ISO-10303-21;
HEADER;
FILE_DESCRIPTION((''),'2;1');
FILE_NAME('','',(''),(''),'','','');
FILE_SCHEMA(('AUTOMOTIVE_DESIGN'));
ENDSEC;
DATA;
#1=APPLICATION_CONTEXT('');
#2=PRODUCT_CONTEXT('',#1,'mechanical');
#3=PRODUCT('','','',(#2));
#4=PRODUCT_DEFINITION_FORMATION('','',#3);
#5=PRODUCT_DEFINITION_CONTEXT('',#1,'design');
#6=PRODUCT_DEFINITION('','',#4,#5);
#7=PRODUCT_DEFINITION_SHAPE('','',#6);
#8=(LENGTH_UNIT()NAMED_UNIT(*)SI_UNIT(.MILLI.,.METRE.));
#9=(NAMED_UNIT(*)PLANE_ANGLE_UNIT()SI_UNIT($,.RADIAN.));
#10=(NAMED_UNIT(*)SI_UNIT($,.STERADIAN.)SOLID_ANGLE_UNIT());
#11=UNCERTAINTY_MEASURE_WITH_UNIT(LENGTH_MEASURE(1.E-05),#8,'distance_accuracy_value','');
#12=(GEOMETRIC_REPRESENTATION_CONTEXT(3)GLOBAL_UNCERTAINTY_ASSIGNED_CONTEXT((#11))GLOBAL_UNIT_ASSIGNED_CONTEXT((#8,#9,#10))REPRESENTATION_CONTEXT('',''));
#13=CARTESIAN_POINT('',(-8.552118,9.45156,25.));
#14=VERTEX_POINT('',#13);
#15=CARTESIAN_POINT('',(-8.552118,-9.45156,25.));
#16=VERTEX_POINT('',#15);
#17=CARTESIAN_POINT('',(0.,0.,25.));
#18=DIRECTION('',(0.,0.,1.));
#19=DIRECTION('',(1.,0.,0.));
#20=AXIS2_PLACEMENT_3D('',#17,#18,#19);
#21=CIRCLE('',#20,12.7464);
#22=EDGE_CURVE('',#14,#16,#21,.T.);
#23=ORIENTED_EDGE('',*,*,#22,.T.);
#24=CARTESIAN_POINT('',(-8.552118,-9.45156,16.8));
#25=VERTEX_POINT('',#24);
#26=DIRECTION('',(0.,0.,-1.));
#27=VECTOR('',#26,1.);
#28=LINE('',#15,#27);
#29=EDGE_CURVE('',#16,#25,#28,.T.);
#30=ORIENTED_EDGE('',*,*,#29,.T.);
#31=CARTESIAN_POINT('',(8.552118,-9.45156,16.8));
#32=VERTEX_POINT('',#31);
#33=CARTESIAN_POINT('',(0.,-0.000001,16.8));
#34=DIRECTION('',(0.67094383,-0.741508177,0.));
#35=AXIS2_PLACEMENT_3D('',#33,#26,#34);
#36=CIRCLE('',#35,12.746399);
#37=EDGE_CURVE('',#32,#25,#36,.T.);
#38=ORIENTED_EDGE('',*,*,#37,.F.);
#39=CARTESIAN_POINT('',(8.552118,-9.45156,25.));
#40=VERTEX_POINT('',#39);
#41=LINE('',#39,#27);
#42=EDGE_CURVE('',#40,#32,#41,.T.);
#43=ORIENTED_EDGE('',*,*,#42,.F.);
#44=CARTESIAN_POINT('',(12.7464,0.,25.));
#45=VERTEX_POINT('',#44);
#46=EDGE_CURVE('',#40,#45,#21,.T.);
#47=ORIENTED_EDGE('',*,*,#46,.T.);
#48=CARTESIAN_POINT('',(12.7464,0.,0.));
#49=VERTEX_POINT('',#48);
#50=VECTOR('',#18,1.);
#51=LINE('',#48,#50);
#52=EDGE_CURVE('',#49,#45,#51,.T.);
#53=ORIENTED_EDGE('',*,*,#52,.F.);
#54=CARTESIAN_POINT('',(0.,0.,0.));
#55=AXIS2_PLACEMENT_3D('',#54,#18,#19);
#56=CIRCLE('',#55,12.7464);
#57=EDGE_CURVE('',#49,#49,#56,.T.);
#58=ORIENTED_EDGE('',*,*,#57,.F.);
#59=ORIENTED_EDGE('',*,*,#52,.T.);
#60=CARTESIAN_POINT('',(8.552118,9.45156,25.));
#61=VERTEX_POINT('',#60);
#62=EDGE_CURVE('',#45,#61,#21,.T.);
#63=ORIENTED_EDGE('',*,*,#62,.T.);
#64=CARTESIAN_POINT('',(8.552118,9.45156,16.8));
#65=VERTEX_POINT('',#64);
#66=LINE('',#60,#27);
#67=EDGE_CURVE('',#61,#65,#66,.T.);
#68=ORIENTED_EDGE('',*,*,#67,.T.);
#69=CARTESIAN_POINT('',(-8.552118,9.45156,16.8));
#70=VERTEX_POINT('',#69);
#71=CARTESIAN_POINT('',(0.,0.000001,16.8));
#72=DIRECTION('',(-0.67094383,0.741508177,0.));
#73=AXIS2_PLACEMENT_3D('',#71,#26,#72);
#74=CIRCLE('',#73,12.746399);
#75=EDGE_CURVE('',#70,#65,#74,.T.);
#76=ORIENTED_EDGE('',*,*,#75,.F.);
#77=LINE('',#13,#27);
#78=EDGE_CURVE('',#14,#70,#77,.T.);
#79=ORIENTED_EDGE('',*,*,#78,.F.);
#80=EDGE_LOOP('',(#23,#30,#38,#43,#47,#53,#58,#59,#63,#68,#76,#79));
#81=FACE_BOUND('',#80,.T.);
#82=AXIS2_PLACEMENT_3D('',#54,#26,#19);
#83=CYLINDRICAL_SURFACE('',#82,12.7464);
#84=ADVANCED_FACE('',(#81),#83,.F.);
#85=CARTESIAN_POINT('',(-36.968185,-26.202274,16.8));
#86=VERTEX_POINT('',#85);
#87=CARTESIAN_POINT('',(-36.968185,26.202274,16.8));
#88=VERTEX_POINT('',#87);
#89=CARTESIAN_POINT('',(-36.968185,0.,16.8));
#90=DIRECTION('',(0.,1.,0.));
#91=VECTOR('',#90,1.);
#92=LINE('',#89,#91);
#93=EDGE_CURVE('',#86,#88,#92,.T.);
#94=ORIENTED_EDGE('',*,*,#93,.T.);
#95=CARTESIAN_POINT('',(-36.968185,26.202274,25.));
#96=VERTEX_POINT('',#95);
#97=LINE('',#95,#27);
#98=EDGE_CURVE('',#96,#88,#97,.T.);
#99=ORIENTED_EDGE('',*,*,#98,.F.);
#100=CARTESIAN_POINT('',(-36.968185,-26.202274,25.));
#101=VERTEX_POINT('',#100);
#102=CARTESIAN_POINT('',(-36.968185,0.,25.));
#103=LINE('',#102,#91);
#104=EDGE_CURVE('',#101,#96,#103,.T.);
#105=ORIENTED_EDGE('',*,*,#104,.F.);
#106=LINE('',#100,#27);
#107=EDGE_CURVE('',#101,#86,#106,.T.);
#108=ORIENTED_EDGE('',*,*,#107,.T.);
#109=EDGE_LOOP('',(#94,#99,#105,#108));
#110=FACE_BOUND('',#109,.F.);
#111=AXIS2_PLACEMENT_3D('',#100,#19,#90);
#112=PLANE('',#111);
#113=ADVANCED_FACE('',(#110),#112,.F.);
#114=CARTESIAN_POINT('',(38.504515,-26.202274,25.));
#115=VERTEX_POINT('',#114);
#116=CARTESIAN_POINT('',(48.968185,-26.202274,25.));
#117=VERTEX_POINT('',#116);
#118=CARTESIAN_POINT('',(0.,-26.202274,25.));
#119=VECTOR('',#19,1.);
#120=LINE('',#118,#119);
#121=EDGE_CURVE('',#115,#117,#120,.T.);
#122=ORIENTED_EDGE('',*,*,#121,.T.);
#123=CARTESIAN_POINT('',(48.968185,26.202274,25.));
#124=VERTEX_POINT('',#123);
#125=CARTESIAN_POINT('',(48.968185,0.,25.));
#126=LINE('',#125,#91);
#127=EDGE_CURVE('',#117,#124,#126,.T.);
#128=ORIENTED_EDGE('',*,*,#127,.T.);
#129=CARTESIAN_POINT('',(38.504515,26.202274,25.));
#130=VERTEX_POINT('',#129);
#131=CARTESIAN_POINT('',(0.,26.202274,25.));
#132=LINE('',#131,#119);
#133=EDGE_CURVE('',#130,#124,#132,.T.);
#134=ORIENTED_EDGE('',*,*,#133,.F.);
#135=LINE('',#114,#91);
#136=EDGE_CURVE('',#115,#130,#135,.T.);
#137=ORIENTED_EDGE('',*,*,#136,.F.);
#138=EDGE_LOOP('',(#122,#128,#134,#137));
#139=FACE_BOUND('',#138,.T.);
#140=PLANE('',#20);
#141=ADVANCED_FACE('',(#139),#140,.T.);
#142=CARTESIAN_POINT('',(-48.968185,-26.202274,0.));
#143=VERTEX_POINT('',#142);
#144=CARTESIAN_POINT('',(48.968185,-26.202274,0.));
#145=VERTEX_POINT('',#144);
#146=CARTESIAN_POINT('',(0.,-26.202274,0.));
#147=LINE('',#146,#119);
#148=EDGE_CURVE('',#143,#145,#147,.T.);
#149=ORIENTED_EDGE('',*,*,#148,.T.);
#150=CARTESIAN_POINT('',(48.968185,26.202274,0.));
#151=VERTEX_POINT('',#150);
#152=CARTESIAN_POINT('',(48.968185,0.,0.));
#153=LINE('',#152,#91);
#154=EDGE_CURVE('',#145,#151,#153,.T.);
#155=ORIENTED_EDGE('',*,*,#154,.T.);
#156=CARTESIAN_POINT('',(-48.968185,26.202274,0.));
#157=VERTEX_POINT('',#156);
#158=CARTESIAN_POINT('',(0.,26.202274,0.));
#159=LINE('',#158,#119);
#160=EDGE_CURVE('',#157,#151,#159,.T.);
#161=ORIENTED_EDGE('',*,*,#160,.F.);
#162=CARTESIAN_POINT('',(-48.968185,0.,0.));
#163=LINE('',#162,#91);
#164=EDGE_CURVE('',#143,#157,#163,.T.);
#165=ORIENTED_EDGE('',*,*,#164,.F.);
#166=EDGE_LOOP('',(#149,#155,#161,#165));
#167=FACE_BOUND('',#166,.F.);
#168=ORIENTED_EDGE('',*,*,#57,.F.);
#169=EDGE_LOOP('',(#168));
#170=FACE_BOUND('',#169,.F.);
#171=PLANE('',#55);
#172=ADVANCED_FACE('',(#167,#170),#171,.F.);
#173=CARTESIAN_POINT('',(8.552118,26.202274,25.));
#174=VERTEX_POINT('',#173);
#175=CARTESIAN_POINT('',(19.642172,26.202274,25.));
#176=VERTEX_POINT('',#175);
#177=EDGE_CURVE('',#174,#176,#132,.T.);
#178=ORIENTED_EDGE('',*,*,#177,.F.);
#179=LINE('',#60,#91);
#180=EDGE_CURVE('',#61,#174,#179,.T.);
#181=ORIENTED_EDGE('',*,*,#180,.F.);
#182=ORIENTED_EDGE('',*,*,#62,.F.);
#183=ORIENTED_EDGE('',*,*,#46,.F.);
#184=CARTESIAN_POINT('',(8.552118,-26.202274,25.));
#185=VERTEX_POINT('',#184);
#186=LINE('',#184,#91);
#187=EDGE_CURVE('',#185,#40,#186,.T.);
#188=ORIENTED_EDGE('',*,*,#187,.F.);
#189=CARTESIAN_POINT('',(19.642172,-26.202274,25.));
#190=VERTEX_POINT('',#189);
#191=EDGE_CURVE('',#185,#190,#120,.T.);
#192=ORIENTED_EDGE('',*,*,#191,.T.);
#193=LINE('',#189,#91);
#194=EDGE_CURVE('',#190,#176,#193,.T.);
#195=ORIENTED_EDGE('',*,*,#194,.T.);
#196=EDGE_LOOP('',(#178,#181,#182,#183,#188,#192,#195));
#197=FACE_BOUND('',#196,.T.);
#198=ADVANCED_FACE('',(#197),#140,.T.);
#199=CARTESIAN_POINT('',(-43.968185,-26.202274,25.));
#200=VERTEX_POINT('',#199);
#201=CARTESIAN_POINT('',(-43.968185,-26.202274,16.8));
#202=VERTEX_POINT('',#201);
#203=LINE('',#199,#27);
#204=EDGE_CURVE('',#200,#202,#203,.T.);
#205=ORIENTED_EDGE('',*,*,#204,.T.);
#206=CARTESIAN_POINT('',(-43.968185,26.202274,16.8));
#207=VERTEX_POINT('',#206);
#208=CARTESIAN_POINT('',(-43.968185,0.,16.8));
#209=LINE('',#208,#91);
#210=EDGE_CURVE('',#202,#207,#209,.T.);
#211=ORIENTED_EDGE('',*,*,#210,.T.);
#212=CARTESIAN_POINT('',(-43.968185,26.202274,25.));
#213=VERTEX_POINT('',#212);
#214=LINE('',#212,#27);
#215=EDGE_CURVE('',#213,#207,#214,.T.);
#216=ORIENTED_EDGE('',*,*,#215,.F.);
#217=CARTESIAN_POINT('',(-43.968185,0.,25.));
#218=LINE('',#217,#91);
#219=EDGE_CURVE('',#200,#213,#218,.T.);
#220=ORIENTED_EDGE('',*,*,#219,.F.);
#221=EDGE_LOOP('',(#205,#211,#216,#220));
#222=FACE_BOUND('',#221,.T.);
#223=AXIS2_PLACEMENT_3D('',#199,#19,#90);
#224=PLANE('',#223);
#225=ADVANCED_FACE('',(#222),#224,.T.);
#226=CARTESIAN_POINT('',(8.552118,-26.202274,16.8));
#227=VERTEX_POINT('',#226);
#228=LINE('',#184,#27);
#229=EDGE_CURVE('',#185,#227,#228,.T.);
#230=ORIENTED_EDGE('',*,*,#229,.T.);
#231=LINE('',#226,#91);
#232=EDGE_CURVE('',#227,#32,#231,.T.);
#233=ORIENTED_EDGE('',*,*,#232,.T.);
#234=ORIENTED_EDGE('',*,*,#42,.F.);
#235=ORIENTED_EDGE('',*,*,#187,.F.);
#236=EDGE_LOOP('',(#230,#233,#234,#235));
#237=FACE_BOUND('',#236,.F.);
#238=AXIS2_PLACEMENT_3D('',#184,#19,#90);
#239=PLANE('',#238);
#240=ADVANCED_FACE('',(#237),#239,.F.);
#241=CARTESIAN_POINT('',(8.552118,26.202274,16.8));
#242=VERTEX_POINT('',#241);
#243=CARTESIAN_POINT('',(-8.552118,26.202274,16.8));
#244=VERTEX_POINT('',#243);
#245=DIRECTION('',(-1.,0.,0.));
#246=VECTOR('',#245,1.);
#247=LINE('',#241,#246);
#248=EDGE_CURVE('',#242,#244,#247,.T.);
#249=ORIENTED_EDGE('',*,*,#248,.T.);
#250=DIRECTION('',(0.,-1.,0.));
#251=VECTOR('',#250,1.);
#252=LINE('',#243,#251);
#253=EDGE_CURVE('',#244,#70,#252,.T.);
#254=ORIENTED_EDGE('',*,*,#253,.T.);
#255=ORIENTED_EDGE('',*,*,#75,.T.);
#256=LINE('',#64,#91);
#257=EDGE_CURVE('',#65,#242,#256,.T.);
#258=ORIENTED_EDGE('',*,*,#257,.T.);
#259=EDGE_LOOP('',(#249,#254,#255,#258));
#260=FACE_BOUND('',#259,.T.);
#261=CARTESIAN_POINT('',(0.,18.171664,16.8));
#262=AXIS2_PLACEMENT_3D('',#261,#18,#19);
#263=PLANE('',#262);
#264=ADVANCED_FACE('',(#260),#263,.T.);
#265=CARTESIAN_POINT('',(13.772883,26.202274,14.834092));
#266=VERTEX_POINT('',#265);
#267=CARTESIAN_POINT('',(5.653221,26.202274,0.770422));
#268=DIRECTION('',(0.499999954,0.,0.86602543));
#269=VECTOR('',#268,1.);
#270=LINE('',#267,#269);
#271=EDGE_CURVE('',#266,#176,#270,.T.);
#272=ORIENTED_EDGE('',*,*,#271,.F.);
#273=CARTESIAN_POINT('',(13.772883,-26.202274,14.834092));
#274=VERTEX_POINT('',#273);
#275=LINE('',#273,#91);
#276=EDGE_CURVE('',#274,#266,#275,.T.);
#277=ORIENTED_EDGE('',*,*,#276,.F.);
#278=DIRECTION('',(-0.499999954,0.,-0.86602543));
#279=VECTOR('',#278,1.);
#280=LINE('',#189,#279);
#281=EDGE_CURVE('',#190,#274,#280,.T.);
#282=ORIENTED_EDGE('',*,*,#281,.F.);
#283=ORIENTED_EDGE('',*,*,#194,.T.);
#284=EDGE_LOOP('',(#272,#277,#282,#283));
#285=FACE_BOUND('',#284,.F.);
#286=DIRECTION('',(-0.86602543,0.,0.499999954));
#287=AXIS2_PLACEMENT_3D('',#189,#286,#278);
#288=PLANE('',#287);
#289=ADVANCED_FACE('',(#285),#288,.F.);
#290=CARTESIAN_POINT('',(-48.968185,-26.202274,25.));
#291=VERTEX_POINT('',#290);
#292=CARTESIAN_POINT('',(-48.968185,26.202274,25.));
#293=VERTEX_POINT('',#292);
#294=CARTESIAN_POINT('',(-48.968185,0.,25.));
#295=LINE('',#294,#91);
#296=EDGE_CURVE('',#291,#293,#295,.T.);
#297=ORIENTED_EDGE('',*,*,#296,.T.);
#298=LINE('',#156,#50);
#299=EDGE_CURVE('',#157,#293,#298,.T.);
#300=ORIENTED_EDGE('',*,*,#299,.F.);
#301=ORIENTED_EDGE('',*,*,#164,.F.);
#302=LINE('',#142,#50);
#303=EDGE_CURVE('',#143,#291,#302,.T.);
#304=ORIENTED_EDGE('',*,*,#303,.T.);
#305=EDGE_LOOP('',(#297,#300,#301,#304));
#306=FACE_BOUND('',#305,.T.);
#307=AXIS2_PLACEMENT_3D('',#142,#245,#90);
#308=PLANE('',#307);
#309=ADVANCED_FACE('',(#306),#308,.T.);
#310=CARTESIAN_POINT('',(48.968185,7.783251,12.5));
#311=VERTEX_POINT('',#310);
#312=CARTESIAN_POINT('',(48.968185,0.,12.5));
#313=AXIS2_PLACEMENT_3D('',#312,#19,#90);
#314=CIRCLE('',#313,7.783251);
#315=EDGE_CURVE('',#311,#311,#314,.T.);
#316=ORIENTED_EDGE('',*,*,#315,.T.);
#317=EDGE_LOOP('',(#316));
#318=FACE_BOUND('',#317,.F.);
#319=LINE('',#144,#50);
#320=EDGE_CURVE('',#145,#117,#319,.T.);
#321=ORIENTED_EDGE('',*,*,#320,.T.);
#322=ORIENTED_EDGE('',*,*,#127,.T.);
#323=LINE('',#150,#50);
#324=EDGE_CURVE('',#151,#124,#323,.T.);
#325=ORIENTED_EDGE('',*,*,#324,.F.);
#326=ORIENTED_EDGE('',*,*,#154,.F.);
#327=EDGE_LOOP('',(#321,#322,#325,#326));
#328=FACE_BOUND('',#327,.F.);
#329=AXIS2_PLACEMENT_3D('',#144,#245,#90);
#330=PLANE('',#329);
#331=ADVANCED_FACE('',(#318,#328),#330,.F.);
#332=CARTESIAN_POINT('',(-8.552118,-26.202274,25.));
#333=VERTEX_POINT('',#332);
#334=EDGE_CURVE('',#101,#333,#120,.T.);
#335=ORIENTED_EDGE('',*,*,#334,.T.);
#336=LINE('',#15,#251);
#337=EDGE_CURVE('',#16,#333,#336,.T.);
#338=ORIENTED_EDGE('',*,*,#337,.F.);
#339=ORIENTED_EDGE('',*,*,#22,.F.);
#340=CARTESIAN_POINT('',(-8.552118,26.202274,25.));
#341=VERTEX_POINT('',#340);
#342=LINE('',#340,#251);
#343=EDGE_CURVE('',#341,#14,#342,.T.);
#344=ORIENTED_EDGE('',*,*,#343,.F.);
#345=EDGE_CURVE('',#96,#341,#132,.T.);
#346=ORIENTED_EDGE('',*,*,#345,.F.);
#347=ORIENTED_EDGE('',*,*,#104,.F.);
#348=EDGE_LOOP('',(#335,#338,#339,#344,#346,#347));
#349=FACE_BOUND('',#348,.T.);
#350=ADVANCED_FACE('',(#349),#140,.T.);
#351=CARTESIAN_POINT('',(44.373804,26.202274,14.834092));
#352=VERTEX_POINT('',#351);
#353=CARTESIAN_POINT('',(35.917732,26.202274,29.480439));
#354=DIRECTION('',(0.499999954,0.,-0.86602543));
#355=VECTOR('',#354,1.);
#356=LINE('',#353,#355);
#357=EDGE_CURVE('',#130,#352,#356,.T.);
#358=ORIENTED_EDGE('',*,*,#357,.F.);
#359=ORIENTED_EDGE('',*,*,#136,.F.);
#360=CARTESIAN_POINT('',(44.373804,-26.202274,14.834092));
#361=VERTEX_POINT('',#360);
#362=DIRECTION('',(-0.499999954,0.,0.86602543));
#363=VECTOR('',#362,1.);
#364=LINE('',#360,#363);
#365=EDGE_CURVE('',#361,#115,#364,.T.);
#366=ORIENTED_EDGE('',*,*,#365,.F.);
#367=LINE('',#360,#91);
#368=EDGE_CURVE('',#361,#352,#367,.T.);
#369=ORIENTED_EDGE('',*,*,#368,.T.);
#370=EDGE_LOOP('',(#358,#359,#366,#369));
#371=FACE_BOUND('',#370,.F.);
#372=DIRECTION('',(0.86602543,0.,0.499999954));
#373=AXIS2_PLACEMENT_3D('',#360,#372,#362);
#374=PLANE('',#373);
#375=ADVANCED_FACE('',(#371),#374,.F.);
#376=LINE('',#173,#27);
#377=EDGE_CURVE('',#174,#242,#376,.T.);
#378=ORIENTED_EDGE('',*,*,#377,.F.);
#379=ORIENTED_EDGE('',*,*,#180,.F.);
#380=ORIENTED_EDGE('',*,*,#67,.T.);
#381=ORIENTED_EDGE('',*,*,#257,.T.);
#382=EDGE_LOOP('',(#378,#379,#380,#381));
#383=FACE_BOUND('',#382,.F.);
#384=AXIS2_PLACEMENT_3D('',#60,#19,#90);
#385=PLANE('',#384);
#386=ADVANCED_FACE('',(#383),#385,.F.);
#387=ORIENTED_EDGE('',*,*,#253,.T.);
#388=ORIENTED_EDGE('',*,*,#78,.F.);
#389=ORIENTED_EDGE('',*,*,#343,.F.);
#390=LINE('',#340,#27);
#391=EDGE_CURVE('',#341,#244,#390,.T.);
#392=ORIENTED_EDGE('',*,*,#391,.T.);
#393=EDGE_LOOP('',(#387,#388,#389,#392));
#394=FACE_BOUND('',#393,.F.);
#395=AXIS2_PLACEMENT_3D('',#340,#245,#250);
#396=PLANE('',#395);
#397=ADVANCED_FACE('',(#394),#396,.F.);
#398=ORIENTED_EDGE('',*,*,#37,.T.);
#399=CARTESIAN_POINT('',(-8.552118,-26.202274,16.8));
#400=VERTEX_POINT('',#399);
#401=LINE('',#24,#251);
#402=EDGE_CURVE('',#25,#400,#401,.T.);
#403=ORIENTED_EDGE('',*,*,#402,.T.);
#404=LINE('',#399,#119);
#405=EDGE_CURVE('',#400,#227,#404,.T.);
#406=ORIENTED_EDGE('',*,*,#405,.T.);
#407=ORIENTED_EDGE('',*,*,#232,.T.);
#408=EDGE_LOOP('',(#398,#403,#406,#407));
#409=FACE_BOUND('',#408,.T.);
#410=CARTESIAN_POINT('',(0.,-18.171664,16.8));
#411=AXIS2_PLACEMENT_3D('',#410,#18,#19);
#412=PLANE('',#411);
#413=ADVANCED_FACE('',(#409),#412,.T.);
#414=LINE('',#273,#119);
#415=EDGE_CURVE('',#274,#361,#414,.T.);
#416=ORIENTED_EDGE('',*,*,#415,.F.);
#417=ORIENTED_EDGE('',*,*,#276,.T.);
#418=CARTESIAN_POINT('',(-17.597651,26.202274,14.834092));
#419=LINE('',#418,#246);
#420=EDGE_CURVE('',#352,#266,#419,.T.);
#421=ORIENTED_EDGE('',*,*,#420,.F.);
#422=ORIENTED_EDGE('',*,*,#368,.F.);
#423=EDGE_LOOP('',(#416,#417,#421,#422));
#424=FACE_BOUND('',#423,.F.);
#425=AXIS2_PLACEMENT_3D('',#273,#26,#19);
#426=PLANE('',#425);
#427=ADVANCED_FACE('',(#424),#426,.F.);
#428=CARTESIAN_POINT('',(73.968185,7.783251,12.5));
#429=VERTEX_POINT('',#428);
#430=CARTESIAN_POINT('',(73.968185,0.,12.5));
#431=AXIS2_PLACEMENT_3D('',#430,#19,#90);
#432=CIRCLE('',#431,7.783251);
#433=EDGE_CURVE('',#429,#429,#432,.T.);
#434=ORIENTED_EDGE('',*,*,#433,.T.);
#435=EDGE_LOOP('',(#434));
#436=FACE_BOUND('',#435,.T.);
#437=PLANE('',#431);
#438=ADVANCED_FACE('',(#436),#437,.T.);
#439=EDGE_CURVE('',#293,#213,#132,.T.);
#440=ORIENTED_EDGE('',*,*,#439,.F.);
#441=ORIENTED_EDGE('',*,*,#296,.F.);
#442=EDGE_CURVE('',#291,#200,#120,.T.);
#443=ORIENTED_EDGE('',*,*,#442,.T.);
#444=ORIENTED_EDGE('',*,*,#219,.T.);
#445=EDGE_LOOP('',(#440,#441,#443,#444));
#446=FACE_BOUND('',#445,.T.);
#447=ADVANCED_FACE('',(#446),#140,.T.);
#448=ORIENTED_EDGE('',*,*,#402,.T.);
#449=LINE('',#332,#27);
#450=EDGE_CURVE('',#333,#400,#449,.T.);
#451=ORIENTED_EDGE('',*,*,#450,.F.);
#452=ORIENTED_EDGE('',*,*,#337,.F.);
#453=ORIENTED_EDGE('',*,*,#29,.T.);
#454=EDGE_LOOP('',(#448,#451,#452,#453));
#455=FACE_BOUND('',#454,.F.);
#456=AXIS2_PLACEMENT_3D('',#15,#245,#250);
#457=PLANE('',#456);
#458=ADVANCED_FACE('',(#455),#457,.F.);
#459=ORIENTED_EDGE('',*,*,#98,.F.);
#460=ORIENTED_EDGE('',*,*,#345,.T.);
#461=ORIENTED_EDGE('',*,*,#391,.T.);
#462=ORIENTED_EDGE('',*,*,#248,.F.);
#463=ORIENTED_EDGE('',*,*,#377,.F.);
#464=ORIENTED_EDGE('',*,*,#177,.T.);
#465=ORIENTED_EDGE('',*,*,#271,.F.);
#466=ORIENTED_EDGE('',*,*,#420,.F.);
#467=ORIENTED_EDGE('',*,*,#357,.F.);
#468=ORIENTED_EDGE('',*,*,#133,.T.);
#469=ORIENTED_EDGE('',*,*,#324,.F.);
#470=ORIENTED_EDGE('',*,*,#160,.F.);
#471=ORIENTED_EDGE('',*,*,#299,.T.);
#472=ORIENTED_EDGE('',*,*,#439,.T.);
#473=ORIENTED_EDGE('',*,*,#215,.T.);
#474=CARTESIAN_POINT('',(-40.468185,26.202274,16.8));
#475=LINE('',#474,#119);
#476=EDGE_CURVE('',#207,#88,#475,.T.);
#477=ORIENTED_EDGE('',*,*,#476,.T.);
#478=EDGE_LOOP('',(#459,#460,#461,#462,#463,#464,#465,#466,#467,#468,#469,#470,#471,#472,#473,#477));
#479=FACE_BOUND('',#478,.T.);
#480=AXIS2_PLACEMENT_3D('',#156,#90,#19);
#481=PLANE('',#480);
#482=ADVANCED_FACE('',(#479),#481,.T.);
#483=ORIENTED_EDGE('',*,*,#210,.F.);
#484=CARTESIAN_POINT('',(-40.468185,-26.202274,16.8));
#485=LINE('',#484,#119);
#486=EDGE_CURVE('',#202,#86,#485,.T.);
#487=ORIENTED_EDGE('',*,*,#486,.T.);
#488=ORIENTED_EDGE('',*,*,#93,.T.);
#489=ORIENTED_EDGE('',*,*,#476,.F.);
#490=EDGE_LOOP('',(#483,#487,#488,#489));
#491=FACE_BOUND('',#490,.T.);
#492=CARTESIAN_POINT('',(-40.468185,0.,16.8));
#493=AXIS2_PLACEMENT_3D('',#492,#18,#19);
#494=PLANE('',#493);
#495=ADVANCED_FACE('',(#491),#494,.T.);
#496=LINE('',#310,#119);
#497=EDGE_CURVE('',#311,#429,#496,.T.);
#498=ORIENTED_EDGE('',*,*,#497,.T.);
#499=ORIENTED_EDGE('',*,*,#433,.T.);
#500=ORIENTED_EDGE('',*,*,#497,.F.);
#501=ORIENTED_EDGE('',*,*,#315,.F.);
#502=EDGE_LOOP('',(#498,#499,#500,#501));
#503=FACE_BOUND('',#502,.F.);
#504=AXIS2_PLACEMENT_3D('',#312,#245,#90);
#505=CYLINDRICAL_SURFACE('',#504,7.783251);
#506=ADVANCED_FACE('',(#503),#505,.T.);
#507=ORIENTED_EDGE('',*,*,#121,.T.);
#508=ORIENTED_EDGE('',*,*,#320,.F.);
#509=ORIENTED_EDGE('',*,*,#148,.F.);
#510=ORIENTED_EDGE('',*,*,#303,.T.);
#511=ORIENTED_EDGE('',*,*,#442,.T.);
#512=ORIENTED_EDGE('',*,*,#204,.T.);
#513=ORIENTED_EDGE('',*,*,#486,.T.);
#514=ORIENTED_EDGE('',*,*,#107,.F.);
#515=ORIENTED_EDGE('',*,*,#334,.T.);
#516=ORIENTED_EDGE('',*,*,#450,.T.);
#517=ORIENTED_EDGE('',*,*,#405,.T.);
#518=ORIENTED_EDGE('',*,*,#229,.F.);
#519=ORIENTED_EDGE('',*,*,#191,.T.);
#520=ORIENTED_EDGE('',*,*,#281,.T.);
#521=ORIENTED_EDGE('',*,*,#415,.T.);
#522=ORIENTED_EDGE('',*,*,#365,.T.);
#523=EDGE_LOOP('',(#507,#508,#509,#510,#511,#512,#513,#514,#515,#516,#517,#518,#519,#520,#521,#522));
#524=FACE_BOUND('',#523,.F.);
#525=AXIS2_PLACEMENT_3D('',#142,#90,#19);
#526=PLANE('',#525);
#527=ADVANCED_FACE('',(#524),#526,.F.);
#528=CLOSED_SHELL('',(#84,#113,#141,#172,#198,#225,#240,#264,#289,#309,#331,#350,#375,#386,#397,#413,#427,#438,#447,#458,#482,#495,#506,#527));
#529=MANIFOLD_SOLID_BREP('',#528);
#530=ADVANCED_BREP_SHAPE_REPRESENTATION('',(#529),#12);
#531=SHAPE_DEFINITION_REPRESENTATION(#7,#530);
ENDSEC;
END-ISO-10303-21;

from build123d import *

# Parameters (mm, degrees)
F0_W     = 97.93637
F0_H     = 52.404548
F0_R     = 12.7464
F1_DEPTH = 25
F2_W     = 7
F2_H     = 52.404548
F3_DEPTH = 8.2
F5_DEPTH = 55
F6_R     = 7.783251
F7_DEPTH = 25


with BuildPart() as f1:
    # F0 (on Top) → F1 (new body)
    with BuildSketch(Plane.XY):
        Rectangle(F0_W, F0_H)
        Circle(F0_R, mode=Mode.SUBTRACT)
    extrude(amount=F1_DEPTH)

    # F2 (on face) → F3 (cut)
    with BuildSketch(Plane.XY.offset(25)):
        with Locations((-40.468185, 0)):
            Rectangle(F2_W, F2_H)
        with BuildLine():
            Line((8.552118, 26.202274), (-8.552118, 26.202274))
            Line((-8.552118, 26.202274), (-8.552118, 9.45156))
            ThreePointArc((-8.552118, 9.45156), (0, 12.7464), (8.552118, 9.45156))
            Line((8.552118, 9.45156), (8.552118, 26.202274))
        make_face()
        with BuildLine():
            Line((-8.552118, -9.45156), (-8.552118, -26.202274))
            Line((-8.552118, -26.202274), (8.552118, -26.202274))
            Line((8.552118, -26.202274), (8.552118, -9.45156))
            ThreePointArc((8.552118, -9.45156), (0, -12.7464), (-8.552118, -9.45156))
        make_face()
    extrude(amount=-F3_DEPTH, mode=Mode.SUBTRACT)

    # F4 (on face) → F5 (cut)
    with BuildSketch(Plane.XZ.offset(26.202274)):
        Polygon((38.504515, 25), (19.642172, 25), (13.772883, 14.834092), (44.373804, 14.834092), align=None)
    extrude(amount=-F5_DEPTH, mode=Mode.SUBTRACT)

    # F6 (on face) → F7 (join)
    with BuildSketch(Plane.YZ.offset(48.968185)):
        with Locations((0, 12.5)):
            Circle(F6_R)
    extrude(amount=F7_DEPTH)


solid = f1.part
